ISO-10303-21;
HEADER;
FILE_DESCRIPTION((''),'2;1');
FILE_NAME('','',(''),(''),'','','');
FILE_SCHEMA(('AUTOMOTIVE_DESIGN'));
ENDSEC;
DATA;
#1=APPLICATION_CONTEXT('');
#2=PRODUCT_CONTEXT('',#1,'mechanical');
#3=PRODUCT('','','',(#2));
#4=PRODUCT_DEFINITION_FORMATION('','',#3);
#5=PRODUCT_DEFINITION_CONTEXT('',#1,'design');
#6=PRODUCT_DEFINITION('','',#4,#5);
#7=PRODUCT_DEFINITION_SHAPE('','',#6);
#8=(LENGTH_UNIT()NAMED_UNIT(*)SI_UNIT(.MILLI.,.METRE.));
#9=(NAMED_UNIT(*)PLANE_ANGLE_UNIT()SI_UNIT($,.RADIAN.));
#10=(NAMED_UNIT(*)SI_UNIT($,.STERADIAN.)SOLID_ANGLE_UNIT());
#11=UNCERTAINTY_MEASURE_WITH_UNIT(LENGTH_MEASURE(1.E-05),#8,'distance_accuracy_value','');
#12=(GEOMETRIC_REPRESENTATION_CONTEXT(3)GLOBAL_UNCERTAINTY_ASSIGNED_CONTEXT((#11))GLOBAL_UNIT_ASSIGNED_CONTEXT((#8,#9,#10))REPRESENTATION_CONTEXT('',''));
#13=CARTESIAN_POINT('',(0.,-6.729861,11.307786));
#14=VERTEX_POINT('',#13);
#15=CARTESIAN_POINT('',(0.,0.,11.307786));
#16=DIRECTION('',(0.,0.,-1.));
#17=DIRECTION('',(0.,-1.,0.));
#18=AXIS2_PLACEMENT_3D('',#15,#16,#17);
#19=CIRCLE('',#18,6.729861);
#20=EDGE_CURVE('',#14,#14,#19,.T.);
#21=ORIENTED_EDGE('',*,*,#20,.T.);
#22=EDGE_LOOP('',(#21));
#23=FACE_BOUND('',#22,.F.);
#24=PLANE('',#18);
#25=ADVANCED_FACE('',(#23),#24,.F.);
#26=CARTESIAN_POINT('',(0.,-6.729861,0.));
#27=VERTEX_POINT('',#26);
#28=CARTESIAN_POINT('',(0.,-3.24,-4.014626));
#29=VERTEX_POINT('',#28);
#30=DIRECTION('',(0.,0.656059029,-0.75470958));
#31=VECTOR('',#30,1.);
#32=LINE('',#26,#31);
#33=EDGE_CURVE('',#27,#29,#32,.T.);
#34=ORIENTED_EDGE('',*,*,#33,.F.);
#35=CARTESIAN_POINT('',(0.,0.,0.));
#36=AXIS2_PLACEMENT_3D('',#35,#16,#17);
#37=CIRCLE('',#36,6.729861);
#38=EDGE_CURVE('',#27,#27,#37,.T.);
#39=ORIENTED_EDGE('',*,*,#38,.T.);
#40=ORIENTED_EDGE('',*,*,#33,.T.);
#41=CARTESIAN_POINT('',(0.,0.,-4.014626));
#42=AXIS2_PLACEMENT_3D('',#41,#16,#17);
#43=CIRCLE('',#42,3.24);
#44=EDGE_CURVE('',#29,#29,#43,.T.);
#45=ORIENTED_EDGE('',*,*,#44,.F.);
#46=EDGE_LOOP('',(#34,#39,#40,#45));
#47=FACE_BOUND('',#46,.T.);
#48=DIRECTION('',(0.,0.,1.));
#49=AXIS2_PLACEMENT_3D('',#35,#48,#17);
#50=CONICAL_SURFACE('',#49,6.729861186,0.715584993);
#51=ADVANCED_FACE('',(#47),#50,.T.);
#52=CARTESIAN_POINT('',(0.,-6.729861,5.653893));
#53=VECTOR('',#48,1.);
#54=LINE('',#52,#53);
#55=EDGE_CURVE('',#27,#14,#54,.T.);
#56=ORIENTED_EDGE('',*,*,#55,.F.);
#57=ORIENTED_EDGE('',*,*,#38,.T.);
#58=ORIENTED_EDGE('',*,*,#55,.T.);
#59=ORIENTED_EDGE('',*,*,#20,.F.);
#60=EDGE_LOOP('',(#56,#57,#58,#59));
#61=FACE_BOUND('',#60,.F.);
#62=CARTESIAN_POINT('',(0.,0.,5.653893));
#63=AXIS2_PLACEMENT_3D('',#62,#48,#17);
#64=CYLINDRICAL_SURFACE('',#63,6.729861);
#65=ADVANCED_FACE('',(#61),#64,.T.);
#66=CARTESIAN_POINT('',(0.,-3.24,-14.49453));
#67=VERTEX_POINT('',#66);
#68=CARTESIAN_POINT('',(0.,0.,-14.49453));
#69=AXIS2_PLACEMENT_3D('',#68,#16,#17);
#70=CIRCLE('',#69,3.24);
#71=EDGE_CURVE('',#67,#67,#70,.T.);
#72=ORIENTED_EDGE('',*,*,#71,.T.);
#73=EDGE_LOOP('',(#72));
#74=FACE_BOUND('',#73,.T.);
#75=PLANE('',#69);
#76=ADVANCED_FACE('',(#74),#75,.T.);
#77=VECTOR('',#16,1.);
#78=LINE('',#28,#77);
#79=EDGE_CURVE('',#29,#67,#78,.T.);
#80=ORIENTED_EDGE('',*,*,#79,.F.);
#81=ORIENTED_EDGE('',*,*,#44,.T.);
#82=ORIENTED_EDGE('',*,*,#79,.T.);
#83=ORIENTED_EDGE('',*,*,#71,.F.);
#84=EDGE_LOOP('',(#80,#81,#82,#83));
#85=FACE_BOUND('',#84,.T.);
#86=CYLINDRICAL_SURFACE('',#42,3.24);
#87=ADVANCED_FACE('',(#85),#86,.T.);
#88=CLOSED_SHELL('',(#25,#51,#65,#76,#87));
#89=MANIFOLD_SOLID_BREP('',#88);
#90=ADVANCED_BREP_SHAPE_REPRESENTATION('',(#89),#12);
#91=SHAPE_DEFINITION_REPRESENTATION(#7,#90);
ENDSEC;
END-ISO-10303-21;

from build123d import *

# Parameters (mm, degrees)
F0_W = 6.7298611856
F0_H = 11.3077862186


with BuildPart() as f1:
    # F0 (on Right) → F1 (revolve)
    with BuildSketch(Plane.YZ):
        with Locations((-3.3649305928, 5.6538931093)):
            Rectangle(F0_W, F0_H)
        Polygon((0, -14.494530331), (0, 0), (-6.7298611856, 0), (-3.24, -4.0146260535), (-3.24, -14.494530331), (-3.175, -14.494530331), align=None)
    revolve(axis=Axis((0, 0, -1.5933720562), (0, 0, -1)))


solid = f1.part
